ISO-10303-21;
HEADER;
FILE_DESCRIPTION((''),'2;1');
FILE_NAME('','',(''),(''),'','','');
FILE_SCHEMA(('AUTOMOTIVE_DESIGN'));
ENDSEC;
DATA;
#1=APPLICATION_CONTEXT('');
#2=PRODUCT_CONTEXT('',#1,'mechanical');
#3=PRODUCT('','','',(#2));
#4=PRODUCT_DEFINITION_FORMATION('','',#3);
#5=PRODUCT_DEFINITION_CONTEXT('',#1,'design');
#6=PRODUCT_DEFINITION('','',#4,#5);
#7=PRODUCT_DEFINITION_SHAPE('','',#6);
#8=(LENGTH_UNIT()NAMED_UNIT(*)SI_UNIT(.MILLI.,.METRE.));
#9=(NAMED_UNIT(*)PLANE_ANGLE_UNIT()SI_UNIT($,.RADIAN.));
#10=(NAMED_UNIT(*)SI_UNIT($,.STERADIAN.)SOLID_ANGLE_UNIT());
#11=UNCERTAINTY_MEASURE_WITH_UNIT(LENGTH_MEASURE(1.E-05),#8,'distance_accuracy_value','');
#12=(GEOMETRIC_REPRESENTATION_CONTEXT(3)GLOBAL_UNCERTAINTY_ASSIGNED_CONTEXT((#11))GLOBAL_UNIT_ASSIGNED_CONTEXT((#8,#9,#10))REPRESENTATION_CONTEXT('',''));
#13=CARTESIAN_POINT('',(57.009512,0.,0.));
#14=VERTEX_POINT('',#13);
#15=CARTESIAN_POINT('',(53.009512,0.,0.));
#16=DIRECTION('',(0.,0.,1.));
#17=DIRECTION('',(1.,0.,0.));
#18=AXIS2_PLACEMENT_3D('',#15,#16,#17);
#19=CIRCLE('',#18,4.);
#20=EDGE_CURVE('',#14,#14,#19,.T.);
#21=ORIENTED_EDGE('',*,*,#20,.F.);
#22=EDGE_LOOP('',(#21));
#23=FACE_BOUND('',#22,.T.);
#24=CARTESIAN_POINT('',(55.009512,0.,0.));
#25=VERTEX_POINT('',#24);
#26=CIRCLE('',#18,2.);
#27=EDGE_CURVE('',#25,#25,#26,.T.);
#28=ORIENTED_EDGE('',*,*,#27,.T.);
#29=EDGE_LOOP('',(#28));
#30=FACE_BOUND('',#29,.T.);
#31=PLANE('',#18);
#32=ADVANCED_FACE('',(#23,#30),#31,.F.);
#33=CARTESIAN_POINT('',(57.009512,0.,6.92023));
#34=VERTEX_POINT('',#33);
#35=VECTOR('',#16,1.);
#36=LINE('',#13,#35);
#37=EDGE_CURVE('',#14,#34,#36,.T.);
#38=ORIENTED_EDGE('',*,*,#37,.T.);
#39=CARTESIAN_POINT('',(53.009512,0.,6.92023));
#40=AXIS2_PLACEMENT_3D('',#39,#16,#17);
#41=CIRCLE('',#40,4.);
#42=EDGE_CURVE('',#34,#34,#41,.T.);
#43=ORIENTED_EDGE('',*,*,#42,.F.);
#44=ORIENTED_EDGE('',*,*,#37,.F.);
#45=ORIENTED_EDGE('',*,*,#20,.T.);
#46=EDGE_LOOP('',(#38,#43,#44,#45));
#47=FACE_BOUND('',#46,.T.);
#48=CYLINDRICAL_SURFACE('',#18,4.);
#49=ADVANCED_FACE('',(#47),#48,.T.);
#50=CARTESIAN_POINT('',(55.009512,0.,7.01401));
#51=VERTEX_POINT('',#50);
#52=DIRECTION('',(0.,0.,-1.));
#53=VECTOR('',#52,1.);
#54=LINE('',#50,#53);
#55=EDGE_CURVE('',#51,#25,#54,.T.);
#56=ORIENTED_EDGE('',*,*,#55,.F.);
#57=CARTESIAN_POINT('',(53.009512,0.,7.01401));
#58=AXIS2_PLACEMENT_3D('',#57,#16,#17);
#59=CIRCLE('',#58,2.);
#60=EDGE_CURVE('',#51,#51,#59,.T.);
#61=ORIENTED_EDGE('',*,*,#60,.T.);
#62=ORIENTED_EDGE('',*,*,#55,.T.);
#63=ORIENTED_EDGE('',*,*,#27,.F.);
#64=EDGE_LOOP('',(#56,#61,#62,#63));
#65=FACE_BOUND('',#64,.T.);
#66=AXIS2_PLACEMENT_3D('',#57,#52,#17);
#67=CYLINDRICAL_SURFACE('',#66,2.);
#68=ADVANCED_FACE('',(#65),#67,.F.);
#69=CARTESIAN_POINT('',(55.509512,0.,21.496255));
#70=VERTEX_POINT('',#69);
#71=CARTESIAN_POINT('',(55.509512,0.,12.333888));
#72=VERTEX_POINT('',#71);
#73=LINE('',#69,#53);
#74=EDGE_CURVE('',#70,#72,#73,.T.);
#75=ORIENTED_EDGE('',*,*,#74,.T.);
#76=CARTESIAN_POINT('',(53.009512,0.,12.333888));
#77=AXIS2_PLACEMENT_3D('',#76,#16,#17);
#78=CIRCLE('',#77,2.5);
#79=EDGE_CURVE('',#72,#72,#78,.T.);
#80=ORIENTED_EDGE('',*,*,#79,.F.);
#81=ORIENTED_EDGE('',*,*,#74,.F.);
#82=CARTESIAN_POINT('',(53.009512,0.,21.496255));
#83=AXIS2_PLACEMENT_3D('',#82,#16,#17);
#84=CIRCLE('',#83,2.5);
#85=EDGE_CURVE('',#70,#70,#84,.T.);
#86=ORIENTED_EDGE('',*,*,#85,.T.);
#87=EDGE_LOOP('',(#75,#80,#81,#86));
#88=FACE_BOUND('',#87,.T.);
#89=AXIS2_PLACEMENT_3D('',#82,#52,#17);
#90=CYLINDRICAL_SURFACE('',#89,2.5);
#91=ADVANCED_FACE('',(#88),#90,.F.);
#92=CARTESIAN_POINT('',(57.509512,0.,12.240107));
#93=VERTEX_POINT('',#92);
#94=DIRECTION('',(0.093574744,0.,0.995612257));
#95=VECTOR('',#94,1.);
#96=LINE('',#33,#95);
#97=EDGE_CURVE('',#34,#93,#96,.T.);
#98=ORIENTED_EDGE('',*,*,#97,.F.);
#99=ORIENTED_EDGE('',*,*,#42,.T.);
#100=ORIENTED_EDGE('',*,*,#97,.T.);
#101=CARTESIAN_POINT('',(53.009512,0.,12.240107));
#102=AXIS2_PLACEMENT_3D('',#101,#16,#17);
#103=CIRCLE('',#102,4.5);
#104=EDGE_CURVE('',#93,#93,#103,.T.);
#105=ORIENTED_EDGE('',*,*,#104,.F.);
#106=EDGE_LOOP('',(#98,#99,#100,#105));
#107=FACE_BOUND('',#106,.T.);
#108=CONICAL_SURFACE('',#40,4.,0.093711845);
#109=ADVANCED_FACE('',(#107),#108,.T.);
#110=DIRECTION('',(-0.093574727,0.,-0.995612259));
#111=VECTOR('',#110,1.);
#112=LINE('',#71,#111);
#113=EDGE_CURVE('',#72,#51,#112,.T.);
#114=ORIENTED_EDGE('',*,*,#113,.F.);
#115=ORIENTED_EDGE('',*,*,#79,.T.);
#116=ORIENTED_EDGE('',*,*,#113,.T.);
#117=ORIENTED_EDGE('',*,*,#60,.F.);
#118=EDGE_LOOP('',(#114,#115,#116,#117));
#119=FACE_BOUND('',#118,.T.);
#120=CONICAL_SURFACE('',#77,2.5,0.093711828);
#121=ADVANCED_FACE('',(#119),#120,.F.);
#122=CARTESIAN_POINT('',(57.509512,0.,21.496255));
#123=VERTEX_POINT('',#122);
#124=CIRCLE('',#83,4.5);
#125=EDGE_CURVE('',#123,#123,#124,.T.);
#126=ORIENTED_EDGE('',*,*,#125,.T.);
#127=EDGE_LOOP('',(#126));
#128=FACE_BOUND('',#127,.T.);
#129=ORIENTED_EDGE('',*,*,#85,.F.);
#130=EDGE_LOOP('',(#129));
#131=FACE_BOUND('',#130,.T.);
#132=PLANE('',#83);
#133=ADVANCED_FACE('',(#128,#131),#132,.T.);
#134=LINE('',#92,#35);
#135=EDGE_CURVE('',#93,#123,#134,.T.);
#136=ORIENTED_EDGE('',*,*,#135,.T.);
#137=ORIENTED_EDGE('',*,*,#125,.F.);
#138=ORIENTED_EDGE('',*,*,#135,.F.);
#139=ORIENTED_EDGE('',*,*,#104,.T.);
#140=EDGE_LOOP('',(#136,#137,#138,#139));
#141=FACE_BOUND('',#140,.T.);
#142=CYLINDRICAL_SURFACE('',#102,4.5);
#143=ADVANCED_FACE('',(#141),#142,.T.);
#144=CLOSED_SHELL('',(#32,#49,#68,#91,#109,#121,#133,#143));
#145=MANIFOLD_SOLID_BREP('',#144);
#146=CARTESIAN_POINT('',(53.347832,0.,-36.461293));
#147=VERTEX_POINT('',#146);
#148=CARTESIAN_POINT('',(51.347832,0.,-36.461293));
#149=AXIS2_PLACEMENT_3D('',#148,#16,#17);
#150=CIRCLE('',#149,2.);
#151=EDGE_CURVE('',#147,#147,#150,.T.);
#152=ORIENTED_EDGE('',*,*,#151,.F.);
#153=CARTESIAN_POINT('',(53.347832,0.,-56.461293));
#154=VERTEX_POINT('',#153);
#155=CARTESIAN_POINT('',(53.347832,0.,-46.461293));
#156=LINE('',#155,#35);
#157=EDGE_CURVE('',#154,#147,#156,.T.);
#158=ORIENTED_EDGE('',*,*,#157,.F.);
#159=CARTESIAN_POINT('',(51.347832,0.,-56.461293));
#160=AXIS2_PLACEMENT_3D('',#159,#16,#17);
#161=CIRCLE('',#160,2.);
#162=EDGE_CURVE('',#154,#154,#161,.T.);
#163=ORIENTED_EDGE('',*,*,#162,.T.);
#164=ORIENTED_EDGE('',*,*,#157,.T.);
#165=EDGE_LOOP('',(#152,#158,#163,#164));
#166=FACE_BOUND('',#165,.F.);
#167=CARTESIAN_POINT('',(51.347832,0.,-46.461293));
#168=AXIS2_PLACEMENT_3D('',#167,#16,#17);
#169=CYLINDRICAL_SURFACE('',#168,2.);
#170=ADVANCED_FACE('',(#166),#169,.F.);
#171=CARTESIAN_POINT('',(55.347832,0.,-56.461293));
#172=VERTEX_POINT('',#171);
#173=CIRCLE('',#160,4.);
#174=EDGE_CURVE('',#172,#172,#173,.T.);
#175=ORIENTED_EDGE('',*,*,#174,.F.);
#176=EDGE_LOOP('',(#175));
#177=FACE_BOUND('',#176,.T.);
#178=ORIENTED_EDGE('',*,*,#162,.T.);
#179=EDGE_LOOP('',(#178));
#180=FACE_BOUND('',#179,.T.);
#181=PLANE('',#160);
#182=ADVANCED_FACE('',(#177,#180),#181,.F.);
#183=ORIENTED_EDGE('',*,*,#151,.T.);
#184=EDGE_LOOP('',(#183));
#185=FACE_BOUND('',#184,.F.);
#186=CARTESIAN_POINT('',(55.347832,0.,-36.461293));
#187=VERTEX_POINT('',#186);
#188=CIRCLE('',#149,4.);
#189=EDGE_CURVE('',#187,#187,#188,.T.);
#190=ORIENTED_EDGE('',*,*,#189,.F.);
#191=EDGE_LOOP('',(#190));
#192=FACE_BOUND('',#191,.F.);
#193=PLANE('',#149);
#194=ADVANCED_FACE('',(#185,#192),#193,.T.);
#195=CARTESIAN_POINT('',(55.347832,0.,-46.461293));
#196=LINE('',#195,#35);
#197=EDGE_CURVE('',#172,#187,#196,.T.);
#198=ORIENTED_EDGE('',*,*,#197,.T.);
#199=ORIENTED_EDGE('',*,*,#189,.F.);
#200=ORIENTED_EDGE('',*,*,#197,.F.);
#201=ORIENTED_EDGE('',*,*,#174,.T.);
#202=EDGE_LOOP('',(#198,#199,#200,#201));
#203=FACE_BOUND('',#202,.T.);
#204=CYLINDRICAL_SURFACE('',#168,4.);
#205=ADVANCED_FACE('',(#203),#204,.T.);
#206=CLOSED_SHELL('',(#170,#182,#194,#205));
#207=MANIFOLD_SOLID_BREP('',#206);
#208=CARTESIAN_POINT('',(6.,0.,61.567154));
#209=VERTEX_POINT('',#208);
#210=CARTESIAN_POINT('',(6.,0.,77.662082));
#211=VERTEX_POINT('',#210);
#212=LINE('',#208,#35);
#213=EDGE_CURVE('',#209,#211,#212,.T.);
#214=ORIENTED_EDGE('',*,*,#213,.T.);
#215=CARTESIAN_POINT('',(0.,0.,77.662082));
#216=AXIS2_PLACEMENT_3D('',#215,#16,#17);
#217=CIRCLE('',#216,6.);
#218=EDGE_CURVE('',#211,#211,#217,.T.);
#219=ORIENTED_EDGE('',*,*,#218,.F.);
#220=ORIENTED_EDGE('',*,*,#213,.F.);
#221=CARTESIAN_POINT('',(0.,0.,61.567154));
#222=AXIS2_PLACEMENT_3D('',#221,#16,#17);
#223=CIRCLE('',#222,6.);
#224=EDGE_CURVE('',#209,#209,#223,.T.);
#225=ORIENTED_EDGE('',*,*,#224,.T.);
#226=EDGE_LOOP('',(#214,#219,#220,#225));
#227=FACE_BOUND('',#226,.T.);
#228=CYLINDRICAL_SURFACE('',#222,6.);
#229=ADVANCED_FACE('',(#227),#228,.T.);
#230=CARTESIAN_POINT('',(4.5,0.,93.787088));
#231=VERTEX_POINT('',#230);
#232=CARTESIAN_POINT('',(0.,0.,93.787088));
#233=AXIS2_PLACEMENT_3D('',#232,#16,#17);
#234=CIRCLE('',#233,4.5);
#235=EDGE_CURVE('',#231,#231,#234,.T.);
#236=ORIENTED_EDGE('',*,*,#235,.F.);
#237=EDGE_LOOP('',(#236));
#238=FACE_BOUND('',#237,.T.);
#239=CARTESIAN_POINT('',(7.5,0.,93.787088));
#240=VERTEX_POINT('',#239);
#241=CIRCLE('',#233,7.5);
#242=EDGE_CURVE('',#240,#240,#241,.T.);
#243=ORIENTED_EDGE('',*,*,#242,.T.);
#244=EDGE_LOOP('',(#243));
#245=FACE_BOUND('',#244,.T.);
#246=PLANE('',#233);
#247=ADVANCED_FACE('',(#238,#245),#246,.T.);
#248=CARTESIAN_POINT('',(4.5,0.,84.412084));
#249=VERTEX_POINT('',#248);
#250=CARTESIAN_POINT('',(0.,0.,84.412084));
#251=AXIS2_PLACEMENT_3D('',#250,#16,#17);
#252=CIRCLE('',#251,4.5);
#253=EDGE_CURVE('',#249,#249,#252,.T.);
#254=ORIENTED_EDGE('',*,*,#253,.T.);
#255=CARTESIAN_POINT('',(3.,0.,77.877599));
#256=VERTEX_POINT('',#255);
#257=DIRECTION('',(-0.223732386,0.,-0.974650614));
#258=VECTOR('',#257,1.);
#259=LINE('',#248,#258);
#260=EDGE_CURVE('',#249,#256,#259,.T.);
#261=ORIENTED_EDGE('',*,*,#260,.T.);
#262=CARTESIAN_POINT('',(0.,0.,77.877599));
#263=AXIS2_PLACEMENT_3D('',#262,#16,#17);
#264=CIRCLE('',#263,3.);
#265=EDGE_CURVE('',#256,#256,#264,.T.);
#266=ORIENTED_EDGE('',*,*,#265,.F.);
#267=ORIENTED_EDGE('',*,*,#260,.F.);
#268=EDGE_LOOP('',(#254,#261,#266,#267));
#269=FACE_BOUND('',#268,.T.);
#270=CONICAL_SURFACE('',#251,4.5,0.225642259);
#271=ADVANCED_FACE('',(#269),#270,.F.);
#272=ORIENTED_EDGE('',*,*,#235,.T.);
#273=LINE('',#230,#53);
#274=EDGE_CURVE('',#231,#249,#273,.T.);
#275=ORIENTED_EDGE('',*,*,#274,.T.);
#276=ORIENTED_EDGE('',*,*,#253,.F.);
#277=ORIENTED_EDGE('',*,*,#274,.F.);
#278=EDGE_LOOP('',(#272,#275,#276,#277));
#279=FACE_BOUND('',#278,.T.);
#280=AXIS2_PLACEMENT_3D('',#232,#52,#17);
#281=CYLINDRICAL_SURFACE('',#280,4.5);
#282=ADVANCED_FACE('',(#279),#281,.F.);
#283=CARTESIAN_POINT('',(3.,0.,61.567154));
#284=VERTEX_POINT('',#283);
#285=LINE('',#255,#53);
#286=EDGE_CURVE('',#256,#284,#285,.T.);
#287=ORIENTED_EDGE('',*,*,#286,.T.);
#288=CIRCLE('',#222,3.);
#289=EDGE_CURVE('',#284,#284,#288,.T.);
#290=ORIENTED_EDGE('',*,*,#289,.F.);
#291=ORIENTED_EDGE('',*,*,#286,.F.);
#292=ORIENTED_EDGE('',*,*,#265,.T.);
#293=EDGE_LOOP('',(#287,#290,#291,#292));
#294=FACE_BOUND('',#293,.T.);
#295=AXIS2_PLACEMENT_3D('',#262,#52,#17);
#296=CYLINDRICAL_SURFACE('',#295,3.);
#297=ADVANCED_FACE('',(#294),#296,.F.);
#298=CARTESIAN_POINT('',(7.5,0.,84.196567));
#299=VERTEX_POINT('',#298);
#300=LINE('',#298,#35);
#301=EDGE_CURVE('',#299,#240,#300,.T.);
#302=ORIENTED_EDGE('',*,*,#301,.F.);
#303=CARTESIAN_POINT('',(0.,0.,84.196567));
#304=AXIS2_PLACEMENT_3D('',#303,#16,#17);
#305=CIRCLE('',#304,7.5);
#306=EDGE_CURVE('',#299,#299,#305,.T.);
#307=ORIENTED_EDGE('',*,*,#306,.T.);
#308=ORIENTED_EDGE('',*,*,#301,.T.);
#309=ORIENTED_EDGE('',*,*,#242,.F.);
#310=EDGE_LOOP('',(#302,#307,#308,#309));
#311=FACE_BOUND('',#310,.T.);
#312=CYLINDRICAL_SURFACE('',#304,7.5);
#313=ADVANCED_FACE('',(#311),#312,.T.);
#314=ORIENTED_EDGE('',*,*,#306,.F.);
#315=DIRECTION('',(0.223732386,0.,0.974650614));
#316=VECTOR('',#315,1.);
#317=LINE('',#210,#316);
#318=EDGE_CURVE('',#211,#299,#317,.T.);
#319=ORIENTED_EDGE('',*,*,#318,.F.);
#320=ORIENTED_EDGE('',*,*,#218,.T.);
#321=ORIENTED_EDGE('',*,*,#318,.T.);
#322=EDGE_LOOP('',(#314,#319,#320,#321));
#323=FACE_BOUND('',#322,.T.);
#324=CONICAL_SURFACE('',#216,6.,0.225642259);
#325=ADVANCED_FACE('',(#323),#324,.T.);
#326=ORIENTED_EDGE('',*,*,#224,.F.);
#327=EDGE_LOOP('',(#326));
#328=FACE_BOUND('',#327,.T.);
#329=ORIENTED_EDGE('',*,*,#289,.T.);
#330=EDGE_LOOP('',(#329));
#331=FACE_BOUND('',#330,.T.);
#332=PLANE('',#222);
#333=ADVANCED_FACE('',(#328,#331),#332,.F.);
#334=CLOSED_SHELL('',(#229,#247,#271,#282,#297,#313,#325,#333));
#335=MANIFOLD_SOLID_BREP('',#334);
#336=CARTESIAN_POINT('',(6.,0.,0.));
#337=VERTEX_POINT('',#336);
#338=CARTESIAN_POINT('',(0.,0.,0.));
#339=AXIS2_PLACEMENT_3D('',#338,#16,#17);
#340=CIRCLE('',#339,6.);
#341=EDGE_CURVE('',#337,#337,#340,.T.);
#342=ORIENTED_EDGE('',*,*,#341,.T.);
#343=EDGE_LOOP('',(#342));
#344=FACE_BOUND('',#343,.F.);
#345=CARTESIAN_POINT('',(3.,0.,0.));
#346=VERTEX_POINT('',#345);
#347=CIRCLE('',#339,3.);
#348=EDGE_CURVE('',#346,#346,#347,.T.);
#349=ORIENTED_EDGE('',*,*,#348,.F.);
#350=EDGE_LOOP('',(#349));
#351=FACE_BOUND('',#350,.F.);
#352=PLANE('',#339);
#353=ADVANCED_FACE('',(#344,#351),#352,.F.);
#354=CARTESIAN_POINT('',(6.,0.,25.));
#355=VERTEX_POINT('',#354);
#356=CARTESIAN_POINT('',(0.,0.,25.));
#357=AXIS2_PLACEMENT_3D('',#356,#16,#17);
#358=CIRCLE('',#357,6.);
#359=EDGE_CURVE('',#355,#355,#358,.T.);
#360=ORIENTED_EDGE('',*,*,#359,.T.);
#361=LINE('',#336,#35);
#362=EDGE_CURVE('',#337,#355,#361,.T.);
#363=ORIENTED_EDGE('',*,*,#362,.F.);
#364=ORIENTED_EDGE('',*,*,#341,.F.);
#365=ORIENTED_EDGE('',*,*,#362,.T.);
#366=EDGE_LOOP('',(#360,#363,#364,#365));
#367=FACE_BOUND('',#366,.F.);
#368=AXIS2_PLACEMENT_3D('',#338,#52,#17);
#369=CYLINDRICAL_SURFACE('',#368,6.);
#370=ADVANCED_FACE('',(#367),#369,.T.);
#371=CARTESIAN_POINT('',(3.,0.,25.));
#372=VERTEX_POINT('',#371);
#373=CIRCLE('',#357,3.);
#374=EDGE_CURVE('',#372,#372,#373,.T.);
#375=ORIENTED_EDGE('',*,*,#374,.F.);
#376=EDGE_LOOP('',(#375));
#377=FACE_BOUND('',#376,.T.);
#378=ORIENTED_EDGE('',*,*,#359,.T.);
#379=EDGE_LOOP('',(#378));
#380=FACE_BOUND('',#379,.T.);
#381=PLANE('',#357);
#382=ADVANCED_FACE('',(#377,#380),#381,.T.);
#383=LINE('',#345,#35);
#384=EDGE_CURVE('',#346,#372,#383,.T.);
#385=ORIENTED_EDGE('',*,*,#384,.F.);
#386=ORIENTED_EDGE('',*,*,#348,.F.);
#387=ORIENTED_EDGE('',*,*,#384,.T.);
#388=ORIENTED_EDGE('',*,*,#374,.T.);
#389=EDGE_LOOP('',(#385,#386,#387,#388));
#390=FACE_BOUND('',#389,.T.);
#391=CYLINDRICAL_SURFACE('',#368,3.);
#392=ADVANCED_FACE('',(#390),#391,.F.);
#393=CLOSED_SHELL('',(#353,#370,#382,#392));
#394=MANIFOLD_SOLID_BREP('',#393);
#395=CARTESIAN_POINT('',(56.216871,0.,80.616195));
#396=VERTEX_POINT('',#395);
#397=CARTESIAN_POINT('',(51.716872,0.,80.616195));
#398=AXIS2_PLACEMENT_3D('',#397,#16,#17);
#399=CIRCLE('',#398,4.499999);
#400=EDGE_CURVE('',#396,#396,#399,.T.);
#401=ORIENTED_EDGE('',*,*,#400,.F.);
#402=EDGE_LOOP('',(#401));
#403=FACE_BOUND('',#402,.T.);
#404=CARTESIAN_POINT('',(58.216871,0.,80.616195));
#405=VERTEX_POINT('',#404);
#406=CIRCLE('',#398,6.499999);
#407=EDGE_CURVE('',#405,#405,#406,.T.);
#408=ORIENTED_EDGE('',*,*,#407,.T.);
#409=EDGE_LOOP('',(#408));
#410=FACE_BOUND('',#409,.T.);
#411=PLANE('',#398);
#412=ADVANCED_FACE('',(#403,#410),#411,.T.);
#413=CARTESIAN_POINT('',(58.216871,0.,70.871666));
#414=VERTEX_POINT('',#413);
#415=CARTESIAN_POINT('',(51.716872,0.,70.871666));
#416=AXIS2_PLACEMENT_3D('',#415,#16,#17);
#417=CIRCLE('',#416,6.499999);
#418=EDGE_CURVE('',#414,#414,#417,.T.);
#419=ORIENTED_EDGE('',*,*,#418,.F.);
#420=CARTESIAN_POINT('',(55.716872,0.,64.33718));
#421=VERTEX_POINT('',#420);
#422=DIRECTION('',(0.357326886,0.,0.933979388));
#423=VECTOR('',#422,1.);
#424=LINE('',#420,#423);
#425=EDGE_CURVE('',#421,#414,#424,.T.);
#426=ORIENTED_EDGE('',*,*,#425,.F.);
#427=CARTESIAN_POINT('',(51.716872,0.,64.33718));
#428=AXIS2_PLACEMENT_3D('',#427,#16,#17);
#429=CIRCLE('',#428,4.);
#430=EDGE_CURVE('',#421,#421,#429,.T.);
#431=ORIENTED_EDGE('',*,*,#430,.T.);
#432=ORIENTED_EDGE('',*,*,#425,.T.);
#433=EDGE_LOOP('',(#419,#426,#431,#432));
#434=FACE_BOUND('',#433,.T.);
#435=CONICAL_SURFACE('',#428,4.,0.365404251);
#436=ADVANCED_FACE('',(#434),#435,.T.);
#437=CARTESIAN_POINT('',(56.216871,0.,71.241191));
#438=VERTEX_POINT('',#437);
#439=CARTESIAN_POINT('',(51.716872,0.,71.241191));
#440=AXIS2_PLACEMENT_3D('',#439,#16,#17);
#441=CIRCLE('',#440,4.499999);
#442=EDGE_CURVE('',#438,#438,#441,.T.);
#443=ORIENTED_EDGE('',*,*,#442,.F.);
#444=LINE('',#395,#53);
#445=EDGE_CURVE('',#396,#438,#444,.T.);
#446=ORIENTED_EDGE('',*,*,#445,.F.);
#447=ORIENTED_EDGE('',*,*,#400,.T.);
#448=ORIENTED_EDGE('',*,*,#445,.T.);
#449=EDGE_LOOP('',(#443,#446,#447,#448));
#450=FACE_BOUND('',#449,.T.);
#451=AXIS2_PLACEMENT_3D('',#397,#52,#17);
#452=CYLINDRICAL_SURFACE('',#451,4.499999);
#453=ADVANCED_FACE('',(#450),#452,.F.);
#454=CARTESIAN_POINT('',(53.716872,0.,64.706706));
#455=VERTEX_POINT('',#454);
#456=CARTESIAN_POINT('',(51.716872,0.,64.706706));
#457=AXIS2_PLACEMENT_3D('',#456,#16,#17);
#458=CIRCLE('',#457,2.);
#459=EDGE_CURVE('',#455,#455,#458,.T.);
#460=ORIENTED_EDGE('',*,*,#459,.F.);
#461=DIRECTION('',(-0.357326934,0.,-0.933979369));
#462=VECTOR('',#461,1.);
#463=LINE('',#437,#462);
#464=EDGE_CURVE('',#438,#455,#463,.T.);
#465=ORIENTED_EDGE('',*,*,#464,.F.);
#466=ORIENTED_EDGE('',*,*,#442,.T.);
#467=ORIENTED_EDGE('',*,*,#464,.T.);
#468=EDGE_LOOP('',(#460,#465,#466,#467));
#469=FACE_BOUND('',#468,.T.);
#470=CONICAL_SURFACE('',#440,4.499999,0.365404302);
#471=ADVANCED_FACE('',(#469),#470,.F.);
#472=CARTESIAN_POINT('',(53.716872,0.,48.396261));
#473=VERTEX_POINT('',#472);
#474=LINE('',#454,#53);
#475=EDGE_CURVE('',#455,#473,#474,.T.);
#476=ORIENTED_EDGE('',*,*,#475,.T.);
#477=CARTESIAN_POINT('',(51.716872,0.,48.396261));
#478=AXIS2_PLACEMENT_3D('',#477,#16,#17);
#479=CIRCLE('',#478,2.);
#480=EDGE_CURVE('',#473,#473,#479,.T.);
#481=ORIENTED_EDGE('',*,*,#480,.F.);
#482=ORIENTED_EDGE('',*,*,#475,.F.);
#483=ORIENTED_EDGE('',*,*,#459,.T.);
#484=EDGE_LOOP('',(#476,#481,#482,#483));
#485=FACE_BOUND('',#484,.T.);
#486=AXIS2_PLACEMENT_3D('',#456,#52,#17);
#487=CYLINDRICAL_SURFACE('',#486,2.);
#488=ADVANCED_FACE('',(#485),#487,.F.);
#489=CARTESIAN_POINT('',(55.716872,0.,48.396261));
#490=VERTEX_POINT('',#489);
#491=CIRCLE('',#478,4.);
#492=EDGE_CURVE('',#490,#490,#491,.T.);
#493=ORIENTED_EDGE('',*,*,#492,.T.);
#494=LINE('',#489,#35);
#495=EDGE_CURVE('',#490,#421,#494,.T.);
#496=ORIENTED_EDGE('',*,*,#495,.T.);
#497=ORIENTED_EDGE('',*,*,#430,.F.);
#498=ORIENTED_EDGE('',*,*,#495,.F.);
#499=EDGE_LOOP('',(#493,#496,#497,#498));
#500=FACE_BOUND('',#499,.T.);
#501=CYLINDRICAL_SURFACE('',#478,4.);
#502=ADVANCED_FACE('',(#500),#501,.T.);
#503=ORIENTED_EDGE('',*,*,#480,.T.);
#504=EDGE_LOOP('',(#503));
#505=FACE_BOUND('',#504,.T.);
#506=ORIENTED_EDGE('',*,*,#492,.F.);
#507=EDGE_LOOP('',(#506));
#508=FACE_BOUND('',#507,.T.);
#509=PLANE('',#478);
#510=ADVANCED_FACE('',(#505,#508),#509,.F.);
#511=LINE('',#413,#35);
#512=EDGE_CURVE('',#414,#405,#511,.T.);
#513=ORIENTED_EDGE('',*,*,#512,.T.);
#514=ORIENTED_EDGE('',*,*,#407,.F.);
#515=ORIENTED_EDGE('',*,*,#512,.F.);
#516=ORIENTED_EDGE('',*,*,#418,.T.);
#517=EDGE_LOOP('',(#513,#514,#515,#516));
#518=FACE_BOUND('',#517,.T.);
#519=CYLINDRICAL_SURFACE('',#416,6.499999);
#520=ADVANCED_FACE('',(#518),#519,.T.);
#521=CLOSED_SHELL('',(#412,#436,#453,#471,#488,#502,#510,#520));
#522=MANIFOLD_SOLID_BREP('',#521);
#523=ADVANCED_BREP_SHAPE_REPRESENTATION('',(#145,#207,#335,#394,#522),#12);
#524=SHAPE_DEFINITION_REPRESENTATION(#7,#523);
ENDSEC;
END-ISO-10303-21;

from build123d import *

# Parameters (mm, degrees)
F0_R     = 6
F0_R_2   = 3
F1_DEPTH = 25
F8_W     = 2
F8_H     = 20


with BuildPart() as f1:
    # F0 (on Top) → F1 (new body)
    with BuildSketch(Plane.XY):
        Circle(F0_R)
        Circle(F0_R_2, mode=Mode.SUBTRACT)
    extrude(amount=F1_DEPTH)


with BuildPart() as f3:
    # F2 (on Front) → F3 (revolve)
    with BuildSketch(Plane.XZ):
        Polygon((3, 77.877599), (3, 61.567154), (6, 61.567154), (6, 77.662082), (7.5, 84.196567), (7.5, 93.787088), (4.5, 93.787088), (4.5, 84.412084), align=None)
    revolve(axis=Axis((0, 0, 78.798079), (0, 0, 1)))


with BuildPart() as f5:
    # F4 (on Front) → F5 (revolve)
    with BuildSketch(Plane.XZ):
        Polygon((53.716872, 64.706706), (53.716872, 48.396261), (55.716872, 48.396261), (55.716872, 64.33718), (58.216871, 70.871666), (58.216871, 80.616195), (56.216871, 80.616195), (56.216871, 71.241191), align=None)
    revolve(axis=Axis((51.716872, 0, 65.627186), (0, 0, 1)))


with BuildPart() as f7:
    # F6 (on Front) → F7 (revolve)
    with BuildSketch(Plane.XZ):
        Polygon((55.009512, 7.01401), (55.009512, 0), (57.009512, 0), (57.009512, 6.92023), (57.509512, 12.240107), (57.509512, 21.496255), (55.509512, 21.496255), (55.509512, 12.333888), align=None)
    revolve(axis=Axis((53.009512, 0, 17.230925), (0, 0, 1)))


with BuildPart() as f9:
    # F8 (on Front) → F9 (revolve)
    with BuildSketch(Plane.XZ):
        with Locations((54.347832, -46.461293)):
            Rectangle(F8_W, F8_H)
    revolve(axis=Axis((51.347832, 0, -39.230368), (0, 0, 1)))


solid = Compound([f1.part, f3.part, f5.part, f7.part, f9.part])
